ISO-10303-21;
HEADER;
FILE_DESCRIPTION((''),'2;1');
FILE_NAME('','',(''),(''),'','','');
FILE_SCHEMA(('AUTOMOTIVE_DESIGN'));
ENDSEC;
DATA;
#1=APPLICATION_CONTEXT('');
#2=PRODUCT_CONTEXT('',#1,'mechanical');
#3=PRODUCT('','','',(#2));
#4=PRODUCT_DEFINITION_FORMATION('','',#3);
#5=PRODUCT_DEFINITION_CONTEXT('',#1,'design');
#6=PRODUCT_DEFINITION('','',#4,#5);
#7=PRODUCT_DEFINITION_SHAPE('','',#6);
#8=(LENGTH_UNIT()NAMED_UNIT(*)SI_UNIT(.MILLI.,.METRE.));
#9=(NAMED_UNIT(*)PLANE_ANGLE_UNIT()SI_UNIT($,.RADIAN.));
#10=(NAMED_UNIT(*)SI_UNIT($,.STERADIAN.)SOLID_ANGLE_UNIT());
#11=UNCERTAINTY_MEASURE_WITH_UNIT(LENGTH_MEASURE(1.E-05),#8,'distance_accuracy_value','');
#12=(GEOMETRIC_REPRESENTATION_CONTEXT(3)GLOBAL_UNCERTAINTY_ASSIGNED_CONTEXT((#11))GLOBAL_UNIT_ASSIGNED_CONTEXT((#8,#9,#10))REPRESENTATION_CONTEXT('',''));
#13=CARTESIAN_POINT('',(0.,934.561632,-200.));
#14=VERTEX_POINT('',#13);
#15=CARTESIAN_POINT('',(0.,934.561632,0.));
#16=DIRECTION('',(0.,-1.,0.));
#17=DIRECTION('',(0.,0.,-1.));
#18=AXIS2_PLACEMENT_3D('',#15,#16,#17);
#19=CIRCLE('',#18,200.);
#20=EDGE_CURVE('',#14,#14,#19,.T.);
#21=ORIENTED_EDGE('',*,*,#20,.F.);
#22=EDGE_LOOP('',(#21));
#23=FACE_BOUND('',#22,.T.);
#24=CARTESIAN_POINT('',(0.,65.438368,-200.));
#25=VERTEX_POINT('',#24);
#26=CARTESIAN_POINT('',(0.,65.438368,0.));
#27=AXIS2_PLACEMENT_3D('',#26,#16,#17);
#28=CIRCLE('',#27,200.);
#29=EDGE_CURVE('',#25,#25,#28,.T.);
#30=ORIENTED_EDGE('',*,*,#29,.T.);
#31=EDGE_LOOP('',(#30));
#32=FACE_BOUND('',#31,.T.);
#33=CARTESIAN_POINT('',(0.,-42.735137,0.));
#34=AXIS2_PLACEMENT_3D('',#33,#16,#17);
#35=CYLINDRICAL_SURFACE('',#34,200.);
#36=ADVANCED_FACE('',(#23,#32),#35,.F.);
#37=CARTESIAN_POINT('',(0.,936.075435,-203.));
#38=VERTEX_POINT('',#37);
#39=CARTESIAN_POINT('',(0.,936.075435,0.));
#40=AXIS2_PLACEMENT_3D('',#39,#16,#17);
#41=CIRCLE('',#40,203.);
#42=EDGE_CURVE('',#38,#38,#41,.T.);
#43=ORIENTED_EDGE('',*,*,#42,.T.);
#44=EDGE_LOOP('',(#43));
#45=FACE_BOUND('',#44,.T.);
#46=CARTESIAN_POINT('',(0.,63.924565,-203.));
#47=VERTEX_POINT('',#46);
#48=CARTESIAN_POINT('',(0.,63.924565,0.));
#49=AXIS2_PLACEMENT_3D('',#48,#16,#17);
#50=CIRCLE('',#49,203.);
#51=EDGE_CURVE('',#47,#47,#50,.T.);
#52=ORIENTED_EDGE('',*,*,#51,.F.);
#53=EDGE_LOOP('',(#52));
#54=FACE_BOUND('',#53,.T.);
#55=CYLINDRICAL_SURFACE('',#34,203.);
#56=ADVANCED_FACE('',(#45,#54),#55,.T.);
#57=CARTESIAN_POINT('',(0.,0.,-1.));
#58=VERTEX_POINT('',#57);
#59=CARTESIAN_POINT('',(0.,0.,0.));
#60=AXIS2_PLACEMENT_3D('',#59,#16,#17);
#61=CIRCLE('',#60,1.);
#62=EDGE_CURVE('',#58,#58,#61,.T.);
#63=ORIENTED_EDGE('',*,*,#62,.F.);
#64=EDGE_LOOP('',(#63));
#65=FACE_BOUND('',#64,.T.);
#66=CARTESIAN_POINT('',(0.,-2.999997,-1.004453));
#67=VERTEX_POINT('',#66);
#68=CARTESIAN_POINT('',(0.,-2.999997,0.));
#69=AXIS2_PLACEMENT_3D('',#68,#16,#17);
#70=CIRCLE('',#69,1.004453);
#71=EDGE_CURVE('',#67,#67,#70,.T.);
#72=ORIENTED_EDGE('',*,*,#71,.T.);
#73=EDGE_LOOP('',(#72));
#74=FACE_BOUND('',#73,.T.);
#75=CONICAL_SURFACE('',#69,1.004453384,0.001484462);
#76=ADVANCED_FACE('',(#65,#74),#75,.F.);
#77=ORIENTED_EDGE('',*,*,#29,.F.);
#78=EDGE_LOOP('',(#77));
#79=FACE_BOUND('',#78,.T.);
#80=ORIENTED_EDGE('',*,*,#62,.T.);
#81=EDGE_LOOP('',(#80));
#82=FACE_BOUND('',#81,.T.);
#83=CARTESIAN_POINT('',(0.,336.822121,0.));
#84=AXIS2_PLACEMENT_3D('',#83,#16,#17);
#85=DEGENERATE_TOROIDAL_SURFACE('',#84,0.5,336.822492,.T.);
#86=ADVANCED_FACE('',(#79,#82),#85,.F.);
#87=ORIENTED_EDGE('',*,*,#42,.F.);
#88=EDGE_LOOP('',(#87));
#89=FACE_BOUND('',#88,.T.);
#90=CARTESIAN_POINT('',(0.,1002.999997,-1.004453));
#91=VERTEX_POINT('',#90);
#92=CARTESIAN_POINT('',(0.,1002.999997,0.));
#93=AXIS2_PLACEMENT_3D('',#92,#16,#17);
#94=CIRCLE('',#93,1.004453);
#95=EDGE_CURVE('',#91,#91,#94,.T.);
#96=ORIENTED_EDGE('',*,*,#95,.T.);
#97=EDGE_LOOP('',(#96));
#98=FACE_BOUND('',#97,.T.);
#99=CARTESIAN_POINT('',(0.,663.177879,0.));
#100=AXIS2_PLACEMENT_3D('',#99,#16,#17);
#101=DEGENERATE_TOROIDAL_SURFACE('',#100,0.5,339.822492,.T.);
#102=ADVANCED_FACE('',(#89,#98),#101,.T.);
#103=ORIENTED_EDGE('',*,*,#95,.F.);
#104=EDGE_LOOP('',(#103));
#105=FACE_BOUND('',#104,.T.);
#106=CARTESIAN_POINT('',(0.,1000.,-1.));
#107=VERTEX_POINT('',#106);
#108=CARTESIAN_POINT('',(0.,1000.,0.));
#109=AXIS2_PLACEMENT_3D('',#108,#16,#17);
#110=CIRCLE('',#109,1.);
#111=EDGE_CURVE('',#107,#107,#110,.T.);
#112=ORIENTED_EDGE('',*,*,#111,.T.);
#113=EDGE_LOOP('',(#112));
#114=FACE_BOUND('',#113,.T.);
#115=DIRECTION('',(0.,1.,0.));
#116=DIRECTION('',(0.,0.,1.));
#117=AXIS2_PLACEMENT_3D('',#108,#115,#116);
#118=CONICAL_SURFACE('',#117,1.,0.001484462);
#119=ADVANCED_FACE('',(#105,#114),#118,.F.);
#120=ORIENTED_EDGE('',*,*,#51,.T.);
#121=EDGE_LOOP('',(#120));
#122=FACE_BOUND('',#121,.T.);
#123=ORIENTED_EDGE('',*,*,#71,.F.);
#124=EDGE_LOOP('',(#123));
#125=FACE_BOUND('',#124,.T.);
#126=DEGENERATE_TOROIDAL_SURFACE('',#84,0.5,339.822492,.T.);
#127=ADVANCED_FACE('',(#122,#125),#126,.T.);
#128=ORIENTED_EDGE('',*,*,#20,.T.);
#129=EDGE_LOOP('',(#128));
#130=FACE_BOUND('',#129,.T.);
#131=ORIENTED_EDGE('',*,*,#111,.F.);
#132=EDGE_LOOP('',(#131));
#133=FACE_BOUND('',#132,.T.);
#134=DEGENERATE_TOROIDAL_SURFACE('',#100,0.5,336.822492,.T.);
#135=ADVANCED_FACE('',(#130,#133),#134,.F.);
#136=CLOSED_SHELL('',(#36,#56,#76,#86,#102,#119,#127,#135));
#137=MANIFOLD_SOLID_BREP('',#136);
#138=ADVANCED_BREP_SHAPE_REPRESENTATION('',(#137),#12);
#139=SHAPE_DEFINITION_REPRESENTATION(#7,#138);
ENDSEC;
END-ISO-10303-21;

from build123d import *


with BuildPart() as part:
    # Эскиз1 → Повернуть-Тонкостенный3 (revolve)
    with BuildSketch(Plane(origin=(0, 0, 0), x_dir=(0, 0, -1), z_dir=(1, 0, 0))):
        with BuildLine():
            ThreePointArc((1, 0), (105.7166575, 16.855175566), (200, 65.438368426))
            Line((200, 65.438368426), (200, 934.561631574))
            ThreePointArc((200, 934.561631574), (105.7166575, 983.144824434), (1, 1000))
            Line((1, 1000), (1.004453384, 1002.999996695))
            ThreePointArc((1.004453384, 1002.999996695), (107.375751508, 985.756396385), (203, 936.075435077))
            Line((203, 936.075435077), (203, 63.924564923))
            ThreePointArc((203, 63.924564923), (107.375751508, 14.243603615), (1.004453384, -2.999996695))
            Line((1.004453384, -2.999996695), (1, 0))
        make_face()
    revolve(axis=Axis((0, -42.73513709, 0), (0, 1, 0)))


solid = part.part
